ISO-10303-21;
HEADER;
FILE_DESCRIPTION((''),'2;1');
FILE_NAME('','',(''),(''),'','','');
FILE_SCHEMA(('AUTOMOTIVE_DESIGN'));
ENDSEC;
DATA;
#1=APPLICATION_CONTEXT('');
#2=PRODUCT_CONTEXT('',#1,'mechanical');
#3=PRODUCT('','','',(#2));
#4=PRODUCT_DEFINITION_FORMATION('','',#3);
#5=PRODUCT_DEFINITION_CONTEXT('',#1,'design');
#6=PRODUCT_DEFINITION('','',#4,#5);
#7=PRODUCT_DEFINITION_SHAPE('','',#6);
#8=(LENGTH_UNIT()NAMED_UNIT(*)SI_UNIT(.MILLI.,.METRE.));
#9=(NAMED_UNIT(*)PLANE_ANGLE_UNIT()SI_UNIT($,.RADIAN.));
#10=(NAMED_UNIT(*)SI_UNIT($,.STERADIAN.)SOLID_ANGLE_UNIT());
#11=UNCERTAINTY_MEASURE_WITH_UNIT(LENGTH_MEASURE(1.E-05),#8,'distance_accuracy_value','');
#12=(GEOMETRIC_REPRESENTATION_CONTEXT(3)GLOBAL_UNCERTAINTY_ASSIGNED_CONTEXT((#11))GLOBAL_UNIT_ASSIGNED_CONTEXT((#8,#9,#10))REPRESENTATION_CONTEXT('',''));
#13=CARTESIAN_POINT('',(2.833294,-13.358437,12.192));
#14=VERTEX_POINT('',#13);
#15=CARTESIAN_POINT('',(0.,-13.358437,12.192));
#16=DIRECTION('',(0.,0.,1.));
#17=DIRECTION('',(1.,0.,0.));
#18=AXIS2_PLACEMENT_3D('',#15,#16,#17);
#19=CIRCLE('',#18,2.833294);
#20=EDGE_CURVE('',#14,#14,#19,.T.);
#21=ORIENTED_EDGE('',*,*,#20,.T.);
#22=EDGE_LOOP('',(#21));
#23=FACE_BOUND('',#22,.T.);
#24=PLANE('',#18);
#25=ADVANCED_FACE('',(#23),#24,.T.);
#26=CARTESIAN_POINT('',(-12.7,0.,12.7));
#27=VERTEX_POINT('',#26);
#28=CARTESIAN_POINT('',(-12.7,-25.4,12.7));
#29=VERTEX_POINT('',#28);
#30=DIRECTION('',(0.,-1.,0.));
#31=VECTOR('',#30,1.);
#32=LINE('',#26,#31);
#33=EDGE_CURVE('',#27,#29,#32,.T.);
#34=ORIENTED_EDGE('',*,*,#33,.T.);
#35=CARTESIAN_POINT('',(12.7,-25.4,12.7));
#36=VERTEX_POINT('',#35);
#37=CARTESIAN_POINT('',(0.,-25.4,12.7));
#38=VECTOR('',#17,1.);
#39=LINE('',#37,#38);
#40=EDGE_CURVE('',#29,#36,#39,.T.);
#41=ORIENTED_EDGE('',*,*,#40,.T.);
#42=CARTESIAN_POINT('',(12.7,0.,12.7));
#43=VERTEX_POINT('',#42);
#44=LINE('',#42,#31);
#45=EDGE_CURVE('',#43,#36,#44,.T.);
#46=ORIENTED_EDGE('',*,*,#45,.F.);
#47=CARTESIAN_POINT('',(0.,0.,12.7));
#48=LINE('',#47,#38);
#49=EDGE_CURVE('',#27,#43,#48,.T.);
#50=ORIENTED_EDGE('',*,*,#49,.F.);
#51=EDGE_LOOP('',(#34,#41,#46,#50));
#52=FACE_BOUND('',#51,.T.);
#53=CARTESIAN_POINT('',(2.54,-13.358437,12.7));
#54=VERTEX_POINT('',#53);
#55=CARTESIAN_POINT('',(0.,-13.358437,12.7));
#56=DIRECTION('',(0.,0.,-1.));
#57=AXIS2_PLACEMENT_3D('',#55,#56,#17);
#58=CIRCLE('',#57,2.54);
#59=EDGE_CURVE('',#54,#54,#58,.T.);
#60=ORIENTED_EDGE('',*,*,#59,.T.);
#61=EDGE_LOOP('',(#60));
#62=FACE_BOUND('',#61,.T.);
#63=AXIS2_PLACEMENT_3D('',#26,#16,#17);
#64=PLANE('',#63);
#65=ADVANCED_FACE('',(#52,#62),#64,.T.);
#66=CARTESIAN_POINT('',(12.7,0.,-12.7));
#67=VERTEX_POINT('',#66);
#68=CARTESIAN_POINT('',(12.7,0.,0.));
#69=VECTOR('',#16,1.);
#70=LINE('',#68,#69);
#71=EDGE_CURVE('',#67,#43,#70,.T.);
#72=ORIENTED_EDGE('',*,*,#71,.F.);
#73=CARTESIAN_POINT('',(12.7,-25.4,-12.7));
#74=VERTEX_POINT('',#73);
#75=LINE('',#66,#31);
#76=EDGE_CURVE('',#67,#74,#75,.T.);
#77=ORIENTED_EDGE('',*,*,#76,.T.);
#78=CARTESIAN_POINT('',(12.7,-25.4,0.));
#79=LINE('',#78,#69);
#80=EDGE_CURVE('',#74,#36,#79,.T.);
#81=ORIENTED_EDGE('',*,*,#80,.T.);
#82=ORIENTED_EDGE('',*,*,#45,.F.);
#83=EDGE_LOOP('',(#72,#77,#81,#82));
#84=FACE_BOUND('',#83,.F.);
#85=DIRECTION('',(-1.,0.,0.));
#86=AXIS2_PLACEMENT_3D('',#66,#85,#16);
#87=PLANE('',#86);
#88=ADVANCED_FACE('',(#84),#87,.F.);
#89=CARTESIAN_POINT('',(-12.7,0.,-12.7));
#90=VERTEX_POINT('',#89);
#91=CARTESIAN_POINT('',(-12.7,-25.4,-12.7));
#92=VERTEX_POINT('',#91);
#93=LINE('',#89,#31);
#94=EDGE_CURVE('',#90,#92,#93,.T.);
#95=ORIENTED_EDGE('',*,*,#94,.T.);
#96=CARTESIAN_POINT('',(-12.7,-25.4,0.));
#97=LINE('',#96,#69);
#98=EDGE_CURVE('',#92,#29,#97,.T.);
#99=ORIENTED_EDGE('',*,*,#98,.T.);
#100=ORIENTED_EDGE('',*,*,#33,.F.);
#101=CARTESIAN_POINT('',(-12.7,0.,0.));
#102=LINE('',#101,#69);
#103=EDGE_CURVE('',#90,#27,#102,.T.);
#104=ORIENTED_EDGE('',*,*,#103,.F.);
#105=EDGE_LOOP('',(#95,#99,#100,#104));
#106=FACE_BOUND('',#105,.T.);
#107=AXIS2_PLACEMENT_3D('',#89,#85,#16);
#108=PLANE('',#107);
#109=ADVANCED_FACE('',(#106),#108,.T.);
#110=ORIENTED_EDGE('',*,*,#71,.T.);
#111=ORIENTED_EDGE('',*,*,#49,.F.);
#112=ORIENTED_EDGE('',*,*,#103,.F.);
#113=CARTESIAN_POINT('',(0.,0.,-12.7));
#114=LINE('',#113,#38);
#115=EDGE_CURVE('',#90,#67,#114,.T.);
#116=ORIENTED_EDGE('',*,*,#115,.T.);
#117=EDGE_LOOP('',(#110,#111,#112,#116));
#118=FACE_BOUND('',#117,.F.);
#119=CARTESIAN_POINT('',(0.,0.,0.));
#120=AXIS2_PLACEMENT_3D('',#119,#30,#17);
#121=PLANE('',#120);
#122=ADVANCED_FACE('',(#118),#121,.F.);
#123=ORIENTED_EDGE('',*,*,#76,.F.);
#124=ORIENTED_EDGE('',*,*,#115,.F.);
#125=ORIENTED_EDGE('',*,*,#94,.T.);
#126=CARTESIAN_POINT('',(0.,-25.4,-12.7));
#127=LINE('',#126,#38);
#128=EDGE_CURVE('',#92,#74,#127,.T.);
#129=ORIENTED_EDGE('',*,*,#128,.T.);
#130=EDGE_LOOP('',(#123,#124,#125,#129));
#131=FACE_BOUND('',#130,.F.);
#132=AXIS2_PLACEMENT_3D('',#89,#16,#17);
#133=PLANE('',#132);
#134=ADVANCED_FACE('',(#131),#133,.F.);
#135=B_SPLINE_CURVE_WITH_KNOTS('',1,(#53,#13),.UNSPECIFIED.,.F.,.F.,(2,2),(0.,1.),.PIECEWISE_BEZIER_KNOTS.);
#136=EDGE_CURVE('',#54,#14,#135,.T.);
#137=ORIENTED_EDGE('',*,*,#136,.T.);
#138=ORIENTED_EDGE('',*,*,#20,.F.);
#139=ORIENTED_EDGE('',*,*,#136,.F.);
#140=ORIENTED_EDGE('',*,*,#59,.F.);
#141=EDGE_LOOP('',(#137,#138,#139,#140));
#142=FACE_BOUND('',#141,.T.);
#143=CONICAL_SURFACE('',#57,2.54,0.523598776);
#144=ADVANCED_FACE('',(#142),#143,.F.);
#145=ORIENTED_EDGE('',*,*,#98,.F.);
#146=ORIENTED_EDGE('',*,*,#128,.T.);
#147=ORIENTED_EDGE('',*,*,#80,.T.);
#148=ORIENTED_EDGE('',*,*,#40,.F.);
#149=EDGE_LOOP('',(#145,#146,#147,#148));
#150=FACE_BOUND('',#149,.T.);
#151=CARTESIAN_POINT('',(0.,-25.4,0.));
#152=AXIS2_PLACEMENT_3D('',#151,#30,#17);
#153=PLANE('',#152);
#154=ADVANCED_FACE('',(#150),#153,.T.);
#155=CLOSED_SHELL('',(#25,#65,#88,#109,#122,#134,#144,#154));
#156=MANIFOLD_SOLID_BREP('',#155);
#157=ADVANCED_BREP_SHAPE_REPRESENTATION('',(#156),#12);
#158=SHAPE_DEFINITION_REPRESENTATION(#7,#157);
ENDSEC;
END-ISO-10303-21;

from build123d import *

# Parameters (mm, degrees)
F0_W     = 25.4
F0_H     = 25.4
F1_DEPTH = 25.4
F2_R     = 2.54
F3_DEPTH = 0.508
F3_TAPER = -30


with BuildPart() as f1:
    # F0 (on Front) → F1 (new body)
    with BuildSketch(Plane.XZ):
        Rectangle(F0_W, F0_H)
    extrude(amount=F1_DEPTH)

    # F2 (on face) → F3 (cut)
    with BuildSketch(Plane.XY.offset(12.7)):
        with Locations((0, -13.3584365249)):
            Circle(F2_R)
    extrude(amount=-F3_DEPTH, taper=F3_TAPER, mode=Mode.SUBTRACT)


solid = f1.part
